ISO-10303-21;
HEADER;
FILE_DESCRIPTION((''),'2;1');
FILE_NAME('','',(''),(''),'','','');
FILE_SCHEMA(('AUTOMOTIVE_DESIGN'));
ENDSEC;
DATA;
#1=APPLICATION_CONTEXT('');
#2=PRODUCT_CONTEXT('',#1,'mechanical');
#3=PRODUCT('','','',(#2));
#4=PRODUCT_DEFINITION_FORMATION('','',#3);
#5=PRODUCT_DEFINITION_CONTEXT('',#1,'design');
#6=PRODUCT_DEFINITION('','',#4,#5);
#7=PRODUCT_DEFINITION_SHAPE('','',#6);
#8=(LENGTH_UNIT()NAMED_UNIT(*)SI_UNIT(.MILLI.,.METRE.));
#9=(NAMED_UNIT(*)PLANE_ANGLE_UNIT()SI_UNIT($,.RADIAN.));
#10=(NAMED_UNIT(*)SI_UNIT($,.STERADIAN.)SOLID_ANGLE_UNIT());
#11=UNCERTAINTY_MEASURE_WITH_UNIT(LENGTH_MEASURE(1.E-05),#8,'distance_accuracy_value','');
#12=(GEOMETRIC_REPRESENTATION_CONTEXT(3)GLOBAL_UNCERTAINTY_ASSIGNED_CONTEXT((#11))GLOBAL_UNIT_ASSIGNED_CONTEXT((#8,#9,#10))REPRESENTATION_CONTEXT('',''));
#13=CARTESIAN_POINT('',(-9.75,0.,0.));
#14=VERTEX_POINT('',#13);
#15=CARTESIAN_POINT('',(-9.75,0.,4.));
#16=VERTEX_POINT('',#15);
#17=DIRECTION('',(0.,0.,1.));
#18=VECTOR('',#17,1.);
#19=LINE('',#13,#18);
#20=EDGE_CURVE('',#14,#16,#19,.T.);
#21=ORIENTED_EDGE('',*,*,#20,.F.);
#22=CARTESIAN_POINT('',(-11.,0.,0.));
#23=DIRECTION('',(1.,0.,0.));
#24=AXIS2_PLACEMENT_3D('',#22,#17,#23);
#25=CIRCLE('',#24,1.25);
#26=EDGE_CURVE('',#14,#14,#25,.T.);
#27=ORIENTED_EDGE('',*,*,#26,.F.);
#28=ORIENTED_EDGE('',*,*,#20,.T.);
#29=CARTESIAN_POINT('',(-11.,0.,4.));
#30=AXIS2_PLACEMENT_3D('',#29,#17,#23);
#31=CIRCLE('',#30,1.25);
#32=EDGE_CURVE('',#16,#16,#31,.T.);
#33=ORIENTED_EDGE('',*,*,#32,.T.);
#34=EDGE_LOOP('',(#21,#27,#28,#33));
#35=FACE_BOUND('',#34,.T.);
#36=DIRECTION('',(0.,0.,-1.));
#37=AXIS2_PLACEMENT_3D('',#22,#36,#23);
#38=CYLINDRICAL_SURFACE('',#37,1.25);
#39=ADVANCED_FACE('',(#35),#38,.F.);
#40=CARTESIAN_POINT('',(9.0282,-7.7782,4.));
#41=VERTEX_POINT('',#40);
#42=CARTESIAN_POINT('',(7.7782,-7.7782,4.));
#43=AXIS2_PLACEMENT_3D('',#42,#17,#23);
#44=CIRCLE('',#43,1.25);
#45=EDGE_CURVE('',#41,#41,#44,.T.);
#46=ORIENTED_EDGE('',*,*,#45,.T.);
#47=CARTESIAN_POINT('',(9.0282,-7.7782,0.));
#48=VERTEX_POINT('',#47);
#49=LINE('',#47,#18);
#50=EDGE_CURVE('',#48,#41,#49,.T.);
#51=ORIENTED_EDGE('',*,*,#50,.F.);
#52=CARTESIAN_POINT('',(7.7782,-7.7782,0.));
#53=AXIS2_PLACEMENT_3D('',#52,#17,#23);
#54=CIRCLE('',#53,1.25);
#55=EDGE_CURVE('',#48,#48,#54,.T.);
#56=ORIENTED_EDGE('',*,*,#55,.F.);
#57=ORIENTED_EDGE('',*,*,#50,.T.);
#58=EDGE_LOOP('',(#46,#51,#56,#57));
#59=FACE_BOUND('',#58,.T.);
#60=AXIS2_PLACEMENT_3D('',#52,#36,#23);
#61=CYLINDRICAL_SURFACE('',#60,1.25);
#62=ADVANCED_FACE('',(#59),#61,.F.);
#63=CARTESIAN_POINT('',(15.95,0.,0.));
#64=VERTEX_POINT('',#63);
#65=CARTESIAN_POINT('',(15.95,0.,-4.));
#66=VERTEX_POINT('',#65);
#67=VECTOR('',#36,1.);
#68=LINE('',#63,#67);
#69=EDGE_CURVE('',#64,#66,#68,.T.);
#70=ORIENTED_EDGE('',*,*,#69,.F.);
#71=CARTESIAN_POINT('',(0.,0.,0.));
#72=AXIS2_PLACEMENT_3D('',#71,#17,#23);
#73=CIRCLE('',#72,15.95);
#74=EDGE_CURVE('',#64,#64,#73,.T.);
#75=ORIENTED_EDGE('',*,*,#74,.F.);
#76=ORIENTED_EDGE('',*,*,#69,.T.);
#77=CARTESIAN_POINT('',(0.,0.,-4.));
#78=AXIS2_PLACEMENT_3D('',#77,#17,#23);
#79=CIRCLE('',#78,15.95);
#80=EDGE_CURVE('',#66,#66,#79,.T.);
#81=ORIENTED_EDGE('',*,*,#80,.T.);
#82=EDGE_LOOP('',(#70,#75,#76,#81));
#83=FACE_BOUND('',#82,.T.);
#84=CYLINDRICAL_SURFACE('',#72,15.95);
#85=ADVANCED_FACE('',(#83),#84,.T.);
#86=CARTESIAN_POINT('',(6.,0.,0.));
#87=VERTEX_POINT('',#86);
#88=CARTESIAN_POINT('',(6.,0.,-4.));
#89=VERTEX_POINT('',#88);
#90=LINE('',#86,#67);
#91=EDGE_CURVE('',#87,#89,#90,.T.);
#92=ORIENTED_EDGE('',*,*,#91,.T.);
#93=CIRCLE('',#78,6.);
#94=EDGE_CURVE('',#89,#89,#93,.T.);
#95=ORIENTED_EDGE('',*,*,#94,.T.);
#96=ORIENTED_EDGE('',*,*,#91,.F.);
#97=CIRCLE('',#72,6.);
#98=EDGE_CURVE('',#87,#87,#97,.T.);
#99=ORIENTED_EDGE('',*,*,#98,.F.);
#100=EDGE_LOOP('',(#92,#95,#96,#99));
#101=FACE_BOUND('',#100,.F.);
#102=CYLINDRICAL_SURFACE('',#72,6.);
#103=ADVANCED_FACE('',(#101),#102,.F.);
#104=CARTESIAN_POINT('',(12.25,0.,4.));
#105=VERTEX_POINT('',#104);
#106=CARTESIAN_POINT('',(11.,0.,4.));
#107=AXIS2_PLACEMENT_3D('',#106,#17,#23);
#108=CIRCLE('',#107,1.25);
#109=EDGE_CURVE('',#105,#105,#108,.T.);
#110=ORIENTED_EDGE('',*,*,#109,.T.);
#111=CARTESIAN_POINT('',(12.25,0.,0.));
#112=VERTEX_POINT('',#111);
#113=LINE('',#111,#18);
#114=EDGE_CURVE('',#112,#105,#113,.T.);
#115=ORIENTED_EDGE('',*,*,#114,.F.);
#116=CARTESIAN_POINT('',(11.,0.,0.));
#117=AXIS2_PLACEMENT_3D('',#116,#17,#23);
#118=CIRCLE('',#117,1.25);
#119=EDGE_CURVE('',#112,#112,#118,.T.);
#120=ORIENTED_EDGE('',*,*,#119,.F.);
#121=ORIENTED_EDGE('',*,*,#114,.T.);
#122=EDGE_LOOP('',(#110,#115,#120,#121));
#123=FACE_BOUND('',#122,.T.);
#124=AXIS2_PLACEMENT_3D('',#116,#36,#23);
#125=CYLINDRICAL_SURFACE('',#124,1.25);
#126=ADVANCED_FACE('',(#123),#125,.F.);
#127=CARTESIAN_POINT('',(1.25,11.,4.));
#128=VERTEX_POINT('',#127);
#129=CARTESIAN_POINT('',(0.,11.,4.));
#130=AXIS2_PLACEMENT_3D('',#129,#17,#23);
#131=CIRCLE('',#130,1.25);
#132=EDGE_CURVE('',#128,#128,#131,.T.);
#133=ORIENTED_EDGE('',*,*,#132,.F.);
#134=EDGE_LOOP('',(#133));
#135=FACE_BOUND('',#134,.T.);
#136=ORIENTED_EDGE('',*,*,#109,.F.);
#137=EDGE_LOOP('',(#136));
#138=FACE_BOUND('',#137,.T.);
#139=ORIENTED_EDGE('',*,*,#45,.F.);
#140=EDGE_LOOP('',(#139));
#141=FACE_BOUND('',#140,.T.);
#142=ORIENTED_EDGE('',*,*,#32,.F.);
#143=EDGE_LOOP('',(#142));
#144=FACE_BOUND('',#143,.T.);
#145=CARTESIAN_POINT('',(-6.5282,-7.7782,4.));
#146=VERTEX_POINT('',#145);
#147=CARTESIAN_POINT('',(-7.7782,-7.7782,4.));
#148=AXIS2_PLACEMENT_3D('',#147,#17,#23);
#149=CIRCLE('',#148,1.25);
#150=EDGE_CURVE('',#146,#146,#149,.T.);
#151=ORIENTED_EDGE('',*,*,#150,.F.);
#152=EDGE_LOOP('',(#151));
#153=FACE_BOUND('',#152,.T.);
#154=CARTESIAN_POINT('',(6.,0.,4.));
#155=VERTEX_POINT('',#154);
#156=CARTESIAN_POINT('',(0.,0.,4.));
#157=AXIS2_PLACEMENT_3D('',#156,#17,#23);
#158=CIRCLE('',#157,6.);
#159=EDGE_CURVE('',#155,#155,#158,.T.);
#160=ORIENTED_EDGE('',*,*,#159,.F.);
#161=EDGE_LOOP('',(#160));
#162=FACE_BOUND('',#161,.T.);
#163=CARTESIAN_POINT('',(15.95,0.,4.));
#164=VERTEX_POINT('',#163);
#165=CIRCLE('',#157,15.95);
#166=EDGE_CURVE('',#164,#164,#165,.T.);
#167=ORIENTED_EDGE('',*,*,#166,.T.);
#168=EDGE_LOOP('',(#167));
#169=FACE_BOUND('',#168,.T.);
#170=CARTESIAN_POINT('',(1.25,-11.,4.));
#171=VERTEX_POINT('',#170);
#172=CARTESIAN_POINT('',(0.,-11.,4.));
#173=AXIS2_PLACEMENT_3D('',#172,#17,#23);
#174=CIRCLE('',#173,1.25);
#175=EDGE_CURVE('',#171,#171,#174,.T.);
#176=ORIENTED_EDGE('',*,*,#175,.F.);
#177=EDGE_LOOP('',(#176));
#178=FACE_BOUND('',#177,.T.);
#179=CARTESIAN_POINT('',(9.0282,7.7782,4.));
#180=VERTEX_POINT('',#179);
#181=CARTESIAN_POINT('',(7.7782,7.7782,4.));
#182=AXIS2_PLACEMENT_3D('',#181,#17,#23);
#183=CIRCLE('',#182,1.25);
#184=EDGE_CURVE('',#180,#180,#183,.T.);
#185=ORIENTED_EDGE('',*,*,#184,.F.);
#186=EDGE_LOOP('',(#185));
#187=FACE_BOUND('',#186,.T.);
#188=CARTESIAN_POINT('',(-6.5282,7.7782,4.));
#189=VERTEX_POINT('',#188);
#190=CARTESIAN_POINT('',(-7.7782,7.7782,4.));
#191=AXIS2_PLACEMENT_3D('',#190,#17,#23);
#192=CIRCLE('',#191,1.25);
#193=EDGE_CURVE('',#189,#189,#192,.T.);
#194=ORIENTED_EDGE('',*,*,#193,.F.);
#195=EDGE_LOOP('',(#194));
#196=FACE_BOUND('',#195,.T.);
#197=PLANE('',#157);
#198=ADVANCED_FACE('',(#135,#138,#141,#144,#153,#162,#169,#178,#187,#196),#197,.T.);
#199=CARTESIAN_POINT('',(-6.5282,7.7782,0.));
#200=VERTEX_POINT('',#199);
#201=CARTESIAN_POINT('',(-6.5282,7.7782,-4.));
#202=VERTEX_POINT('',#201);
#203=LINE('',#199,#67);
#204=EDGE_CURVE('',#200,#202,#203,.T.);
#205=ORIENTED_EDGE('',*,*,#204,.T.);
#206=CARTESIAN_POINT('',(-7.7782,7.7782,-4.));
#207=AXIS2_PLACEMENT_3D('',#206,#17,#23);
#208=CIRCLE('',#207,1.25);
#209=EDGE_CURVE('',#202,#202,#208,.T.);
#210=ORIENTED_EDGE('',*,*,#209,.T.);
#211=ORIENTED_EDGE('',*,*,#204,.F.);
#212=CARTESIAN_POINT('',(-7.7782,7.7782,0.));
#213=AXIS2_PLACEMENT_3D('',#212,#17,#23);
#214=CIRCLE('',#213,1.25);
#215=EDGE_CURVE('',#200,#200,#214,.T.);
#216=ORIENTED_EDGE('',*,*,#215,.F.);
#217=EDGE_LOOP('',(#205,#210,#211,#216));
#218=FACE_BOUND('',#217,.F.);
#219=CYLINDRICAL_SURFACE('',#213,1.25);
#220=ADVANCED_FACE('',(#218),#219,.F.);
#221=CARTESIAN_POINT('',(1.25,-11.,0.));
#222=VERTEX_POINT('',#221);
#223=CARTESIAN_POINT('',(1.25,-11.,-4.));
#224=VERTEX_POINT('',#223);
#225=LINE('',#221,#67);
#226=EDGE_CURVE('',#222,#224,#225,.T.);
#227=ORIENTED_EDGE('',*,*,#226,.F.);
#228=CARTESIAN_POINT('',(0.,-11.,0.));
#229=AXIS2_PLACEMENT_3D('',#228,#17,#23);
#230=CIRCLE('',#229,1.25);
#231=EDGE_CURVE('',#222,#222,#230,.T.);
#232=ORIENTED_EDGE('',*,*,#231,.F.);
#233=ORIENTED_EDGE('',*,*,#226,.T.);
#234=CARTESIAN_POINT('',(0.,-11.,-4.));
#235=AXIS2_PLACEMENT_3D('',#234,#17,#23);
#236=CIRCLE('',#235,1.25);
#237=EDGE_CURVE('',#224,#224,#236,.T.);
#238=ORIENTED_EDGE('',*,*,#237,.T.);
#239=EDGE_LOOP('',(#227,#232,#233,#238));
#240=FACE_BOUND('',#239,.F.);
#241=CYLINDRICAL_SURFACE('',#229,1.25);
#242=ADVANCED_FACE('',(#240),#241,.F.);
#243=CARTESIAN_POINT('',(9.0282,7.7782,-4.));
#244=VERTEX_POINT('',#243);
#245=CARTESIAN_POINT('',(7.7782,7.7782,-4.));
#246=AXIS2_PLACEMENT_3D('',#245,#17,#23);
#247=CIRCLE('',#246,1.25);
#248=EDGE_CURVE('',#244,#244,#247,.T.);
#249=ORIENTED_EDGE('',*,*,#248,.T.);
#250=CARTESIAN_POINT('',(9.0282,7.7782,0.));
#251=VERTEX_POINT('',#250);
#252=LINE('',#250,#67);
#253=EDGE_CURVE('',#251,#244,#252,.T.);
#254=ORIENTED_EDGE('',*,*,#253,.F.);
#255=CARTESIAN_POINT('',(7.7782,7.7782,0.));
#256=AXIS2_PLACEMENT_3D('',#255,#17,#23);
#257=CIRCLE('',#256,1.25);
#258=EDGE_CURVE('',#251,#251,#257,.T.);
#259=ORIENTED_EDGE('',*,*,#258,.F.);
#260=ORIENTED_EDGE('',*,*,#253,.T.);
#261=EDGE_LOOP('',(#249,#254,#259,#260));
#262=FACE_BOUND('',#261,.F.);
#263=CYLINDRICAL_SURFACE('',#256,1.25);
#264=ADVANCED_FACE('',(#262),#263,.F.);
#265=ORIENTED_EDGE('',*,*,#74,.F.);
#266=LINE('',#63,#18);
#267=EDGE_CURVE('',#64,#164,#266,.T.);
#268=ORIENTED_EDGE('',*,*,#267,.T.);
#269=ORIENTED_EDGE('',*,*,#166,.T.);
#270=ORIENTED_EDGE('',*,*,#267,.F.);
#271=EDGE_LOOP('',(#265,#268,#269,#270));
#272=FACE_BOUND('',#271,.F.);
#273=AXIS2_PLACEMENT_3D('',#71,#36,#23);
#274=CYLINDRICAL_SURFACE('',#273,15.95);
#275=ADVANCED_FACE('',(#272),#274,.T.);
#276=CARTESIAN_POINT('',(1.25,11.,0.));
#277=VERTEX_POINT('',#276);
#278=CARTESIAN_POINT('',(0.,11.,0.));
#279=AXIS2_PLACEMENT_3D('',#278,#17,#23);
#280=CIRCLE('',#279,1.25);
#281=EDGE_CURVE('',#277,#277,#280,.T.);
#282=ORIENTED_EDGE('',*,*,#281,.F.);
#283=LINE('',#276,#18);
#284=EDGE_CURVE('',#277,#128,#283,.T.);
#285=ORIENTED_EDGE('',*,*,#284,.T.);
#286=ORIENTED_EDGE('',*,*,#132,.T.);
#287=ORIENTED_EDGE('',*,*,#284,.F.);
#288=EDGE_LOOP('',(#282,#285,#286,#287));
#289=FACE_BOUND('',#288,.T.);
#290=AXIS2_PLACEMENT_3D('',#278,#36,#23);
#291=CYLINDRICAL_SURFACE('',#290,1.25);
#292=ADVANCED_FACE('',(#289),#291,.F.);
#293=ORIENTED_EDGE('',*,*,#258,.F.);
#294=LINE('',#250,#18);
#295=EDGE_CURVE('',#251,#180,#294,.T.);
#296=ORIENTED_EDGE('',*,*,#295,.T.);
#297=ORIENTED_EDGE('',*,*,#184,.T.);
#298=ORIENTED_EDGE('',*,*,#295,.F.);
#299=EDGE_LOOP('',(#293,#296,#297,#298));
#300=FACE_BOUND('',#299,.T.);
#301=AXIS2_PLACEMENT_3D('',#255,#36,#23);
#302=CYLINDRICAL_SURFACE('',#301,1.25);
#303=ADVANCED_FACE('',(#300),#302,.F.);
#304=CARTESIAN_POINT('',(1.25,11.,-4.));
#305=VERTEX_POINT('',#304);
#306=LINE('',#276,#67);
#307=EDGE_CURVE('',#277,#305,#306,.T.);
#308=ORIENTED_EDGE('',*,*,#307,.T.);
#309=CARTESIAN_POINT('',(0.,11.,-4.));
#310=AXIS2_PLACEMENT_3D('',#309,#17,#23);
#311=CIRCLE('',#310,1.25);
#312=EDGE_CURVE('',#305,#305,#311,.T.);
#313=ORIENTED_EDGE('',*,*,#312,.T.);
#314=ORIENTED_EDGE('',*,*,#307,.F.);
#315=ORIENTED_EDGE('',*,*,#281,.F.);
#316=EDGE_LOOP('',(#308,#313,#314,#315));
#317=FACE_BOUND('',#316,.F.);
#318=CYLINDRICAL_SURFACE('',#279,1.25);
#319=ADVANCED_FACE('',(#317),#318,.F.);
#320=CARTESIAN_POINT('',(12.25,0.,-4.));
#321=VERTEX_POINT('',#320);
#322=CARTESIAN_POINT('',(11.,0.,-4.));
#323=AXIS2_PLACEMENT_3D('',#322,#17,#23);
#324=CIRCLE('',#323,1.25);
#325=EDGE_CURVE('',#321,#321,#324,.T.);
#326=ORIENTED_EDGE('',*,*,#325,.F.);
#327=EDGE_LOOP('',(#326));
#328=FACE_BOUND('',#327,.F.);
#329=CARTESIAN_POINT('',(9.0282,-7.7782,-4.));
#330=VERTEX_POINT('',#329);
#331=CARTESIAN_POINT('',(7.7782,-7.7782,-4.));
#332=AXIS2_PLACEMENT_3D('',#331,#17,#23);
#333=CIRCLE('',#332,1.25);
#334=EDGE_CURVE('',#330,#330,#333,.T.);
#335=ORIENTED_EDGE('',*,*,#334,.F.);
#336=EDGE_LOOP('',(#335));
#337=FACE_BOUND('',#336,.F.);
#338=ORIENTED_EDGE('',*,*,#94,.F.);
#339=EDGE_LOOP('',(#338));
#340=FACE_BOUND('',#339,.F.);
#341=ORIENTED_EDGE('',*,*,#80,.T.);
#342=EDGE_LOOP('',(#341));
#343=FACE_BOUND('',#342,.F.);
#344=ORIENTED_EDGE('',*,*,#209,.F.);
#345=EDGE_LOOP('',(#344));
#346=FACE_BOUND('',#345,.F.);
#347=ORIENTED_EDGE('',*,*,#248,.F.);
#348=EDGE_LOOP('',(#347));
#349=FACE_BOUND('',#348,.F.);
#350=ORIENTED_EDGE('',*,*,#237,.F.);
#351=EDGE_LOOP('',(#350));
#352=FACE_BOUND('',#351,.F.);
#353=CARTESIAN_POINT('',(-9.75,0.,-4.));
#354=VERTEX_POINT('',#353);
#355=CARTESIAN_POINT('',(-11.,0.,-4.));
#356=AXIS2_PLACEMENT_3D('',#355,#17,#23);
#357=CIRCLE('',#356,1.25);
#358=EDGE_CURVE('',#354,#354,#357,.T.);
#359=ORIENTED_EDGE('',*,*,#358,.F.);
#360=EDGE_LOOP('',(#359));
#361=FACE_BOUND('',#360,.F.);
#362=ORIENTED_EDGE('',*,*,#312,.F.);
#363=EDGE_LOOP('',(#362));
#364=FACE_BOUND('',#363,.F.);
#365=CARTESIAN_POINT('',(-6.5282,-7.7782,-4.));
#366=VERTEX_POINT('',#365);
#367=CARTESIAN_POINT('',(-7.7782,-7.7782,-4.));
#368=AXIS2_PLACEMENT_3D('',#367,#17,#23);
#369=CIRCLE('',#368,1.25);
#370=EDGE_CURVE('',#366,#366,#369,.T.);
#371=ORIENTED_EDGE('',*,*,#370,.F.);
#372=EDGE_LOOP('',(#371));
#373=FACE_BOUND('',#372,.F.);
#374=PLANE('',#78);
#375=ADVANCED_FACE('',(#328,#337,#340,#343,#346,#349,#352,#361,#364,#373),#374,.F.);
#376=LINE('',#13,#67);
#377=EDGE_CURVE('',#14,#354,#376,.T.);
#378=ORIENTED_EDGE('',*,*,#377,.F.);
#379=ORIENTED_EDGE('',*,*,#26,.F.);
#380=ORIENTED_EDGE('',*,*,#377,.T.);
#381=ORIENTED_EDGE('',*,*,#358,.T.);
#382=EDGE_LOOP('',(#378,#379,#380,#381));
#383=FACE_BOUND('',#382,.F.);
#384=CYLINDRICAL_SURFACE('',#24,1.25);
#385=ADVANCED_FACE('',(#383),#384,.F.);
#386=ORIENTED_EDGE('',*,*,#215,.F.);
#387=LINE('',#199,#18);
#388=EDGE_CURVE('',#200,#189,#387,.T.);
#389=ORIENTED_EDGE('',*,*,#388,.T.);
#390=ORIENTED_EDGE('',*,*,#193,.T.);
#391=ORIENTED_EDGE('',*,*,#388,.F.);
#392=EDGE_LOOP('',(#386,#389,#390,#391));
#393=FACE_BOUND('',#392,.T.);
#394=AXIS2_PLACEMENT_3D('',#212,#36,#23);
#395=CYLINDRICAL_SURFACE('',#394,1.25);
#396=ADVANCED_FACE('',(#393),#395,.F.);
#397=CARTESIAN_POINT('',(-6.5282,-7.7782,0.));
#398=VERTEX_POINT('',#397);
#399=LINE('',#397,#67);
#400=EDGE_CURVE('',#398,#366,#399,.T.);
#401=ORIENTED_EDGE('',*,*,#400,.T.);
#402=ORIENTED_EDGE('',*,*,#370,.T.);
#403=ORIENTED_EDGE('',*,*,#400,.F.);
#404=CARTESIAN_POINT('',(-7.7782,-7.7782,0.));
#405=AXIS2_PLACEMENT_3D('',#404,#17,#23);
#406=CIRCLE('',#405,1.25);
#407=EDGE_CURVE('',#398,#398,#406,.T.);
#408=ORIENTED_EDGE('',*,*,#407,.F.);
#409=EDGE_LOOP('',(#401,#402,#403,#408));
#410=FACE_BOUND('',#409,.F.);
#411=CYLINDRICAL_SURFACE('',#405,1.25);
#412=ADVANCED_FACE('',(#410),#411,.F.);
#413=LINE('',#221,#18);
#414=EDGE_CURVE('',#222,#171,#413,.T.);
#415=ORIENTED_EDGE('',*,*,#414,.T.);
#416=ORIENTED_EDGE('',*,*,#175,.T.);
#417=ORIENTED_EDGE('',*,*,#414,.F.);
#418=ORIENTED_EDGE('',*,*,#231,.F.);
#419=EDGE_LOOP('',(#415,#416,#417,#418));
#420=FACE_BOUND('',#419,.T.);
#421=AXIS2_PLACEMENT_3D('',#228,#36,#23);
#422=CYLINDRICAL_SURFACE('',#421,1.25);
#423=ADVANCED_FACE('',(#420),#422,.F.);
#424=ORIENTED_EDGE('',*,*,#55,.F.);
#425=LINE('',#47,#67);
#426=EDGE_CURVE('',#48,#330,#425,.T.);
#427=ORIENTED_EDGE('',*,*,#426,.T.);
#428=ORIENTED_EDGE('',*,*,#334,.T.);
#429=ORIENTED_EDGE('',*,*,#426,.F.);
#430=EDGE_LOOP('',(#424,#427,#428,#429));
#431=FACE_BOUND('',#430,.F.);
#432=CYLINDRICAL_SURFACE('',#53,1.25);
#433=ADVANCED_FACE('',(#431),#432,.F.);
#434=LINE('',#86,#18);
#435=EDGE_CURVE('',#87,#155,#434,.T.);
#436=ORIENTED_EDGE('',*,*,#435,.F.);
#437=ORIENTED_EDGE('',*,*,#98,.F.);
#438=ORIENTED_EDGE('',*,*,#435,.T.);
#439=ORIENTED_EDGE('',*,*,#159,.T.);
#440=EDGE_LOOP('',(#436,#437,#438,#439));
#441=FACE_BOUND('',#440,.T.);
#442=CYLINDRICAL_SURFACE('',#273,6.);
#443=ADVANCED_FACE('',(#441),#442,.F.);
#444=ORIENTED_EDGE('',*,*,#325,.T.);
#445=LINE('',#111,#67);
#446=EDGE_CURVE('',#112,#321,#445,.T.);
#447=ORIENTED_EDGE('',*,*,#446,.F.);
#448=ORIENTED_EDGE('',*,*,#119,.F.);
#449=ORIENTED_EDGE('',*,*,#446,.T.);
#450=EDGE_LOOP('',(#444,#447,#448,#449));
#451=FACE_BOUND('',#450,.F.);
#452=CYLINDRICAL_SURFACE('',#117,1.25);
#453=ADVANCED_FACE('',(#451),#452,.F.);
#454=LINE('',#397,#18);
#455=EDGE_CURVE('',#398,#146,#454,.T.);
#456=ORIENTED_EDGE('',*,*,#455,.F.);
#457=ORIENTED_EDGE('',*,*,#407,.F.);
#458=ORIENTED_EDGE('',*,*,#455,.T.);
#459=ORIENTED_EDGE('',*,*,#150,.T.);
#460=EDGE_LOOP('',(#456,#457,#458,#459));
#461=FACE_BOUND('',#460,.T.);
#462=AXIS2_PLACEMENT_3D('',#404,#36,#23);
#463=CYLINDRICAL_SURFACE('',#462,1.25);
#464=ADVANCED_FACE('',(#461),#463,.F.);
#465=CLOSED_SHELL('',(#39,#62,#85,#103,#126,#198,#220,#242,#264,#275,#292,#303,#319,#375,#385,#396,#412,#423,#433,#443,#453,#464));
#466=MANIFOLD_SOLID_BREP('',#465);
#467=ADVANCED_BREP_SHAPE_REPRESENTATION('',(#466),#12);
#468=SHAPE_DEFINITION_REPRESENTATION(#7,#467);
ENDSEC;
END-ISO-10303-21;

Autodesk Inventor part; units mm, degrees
ref_plane "YZ Plane" through (0, 0, 0) normal (1, 0, 0) x (0, 1, 0)
ref_plane "XZ Plane" through (0, 0, 0) normal (0, 1, 0) x (-1, 0, 0)
ref_plane "XY Plane" through (0, 0, 0) normal (0, 0, 1) x (1, 0, 0)
sketch "Sketch1" plane through (0, 0, 0) normal (0, 0, 1) x (1, 0, 0)
  circle A0 centre (0, 0) radius 15.95
  circle A1 centre (0, 11) radius 1.25
  circle A2 centre (-7.7782, 7.7782) radius 1.25
  circle A3 centre (-11, 0) radius 1.25
  circle A4 centre (-7.7782, -7.7782) radius 1.25
  circle A5 centre (0, -11) radius 1.25
  circle A6 centre (7.7782, -7.7782) radius 1.25
  circle A7 centre (11, 0) radius 1.25
  circle A8 centre (7.7782, 7.7782) radius 1.25
  circle A9 centre (0, 0) radius 6
  dimension "d0" = 31.9
  dimension "d1" = 2.5
  dimension "d2" = 11
  dimension "d5" = 360
  dimension "d17" = 12
extrude "Extrusion1" add sketch "Sketch1" along normal mid plane 8
properties part number "FifthAxisShaft"
